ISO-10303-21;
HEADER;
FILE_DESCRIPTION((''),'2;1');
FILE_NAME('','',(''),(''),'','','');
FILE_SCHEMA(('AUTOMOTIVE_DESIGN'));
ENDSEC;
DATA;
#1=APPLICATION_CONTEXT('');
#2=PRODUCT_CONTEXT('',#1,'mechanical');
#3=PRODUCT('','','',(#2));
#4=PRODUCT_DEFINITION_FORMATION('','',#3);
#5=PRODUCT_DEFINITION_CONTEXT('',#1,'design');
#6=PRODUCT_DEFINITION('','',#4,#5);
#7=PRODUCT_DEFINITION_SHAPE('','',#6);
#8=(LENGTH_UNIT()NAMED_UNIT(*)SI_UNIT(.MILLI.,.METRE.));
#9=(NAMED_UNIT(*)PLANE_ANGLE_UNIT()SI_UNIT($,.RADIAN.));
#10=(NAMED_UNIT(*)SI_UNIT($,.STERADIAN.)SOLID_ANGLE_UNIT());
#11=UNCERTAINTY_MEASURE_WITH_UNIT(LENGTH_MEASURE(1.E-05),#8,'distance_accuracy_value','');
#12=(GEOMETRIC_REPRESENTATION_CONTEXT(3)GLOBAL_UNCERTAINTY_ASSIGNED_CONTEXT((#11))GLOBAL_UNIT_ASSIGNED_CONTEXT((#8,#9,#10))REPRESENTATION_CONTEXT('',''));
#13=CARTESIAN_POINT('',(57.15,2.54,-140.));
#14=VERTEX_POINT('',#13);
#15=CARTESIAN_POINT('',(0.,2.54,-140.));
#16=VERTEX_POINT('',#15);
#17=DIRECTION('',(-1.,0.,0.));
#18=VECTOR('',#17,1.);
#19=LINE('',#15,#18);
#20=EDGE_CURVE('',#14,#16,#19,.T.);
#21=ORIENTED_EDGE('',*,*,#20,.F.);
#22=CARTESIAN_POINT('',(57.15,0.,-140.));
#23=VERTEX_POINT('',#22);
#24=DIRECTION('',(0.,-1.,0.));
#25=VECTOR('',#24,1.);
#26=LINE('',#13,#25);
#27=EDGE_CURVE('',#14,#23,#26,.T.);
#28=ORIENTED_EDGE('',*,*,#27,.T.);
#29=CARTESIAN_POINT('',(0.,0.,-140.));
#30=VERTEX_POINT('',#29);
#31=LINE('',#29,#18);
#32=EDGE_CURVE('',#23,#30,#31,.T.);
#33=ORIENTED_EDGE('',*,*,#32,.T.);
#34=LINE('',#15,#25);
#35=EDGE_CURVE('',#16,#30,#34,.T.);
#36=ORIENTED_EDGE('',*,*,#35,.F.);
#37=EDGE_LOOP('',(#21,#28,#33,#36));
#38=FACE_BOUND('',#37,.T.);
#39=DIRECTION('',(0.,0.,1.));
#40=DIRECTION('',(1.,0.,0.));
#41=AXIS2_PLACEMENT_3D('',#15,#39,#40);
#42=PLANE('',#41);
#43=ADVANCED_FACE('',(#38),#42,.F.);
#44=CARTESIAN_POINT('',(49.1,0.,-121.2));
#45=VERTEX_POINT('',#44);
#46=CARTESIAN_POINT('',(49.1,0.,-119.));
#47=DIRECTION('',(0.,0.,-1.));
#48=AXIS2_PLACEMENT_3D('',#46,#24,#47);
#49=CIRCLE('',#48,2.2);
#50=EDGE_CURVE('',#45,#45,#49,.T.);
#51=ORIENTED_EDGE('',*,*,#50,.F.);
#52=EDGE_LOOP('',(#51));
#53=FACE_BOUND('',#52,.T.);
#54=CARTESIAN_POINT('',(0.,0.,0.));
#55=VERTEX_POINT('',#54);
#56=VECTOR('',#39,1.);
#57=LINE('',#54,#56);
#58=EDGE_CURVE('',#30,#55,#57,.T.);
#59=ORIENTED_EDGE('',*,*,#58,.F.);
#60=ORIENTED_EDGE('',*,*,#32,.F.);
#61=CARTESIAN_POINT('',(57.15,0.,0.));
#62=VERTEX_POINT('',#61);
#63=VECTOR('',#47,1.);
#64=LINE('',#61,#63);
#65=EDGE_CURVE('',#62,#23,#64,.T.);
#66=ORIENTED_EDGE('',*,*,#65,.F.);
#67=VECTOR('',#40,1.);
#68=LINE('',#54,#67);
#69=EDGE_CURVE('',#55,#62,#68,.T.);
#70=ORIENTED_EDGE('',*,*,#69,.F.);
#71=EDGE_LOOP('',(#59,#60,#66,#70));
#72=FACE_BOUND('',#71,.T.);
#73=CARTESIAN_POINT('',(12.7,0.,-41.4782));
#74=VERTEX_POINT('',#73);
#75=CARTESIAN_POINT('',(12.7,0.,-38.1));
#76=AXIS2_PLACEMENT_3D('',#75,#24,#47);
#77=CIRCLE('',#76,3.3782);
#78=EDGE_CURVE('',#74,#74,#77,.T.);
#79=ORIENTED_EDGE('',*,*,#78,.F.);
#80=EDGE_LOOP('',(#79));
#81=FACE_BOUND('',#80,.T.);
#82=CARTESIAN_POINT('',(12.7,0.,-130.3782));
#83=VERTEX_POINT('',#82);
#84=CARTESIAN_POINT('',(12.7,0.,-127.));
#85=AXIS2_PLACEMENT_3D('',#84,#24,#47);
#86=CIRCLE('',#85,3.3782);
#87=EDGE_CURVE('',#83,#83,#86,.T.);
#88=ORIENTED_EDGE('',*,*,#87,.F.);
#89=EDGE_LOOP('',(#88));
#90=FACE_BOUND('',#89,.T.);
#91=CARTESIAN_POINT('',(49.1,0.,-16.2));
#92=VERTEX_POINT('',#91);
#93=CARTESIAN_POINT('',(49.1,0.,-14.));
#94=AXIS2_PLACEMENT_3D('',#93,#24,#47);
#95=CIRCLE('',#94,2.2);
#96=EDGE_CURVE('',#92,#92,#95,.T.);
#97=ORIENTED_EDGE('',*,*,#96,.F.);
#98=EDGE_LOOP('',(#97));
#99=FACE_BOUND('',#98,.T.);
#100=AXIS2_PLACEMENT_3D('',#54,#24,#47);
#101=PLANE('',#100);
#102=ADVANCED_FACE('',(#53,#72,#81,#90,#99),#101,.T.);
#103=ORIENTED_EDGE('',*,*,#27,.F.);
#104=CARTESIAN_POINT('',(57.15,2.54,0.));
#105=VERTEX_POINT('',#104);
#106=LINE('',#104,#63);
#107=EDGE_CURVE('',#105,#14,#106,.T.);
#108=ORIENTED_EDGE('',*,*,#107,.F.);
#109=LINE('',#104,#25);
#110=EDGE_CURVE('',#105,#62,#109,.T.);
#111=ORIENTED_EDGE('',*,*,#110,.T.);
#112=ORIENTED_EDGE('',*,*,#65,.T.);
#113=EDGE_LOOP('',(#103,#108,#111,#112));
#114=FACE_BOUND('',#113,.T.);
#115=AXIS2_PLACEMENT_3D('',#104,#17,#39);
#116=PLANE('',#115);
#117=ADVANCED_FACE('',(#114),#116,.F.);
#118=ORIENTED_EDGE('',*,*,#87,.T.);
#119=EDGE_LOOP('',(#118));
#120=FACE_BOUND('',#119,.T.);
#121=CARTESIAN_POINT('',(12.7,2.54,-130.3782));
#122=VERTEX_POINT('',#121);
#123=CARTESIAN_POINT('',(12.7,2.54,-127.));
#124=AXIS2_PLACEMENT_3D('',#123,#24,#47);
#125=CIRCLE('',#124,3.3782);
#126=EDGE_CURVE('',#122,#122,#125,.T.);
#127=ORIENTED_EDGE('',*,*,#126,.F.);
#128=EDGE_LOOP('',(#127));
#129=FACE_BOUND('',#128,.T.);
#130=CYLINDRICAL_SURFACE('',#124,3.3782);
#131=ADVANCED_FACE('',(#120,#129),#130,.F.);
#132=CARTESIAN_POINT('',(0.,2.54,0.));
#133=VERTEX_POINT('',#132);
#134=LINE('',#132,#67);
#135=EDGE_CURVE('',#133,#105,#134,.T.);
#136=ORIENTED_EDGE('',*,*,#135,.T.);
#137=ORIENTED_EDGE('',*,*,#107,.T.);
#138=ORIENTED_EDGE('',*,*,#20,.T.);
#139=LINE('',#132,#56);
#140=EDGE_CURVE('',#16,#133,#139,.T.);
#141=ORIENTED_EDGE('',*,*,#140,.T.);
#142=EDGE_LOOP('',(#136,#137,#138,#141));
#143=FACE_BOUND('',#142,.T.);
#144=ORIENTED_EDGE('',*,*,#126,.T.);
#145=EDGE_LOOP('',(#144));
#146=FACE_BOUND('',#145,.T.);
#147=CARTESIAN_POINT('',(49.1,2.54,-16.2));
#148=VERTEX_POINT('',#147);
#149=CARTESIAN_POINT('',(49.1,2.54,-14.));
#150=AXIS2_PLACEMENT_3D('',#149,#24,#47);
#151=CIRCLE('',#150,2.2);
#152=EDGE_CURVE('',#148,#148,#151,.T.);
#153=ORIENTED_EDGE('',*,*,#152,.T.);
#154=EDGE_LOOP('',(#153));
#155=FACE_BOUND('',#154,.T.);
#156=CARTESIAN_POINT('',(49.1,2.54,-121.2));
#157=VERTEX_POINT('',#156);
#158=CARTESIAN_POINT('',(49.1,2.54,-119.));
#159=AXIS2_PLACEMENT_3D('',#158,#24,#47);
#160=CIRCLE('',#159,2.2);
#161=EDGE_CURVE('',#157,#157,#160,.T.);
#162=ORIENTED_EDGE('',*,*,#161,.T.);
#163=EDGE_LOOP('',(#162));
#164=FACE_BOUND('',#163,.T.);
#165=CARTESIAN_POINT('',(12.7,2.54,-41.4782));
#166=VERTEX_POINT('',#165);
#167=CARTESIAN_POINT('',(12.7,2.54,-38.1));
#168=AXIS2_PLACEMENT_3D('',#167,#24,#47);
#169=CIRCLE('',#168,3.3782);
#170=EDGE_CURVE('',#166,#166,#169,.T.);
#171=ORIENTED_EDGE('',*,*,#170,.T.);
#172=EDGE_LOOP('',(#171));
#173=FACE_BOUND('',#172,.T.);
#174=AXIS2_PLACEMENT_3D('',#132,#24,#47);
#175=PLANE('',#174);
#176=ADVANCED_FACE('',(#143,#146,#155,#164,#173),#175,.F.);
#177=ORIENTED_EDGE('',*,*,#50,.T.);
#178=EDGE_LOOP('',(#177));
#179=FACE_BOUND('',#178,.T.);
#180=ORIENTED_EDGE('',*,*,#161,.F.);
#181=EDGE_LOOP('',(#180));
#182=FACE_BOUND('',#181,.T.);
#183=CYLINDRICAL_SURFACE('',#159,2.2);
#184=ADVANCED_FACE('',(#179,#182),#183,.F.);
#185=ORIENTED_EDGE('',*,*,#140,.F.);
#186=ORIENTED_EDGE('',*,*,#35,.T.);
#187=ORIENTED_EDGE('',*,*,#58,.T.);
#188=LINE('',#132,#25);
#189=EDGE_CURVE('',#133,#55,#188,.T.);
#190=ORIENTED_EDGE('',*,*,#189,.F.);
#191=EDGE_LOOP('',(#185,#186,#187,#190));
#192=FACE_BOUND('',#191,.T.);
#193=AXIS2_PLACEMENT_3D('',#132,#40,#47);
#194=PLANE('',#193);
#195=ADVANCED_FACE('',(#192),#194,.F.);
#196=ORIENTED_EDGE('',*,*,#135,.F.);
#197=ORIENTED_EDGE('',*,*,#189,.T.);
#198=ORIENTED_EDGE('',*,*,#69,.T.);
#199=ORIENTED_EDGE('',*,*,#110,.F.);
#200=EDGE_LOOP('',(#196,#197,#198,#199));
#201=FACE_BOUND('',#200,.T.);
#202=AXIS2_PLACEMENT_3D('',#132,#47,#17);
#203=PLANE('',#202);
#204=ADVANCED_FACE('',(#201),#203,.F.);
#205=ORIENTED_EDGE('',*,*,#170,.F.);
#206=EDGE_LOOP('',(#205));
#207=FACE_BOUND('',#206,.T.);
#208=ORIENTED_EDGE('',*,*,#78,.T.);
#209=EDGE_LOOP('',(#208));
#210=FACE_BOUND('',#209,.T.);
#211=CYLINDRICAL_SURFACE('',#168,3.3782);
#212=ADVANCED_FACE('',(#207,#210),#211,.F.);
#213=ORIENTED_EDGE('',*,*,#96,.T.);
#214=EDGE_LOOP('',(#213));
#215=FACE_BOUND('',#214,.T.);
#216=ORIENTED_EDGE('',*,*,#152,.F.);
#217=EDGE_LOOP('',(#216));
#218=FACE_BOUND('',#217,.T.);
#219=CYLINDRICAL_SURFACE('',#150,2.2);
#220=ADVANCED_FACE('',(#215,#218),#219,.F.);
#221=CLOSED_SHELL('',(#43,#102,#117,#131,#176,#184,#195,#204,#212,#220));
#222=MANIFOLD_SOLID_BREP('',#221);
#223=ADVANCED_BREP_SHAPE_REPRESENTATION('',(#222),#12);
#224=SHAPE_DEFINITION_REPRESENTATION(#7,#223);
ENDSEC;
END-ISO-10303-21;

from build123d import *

# Parameters (mm, degrees)
SKETCH1_W               = 57.15
SKETCH1_H               = 140
BOSS_EXTRUDE1_DEPTH     = 2.54
SKETCH2_R               = 2.2
CUT_EXTRUDE1_DEPTH      = 3.54
SKETCH3_R               = 3.3782
CUT_EXTRUDE2_DEPTH      = 1
CUT_EXTRUDE2_DEPTH_BACK = 3.54


with BuildPart() as part:
    # Sketch1 → Boss-Extrude1 (new body)
    with BuildSketch(Plane(origin=(0, 0, 0), x_dir=(1, 0, 0), z_dir=(0, 1, 0))):
        with Locations((28.575, 70)):
            Rectangle(SKETCH1_W, SKETCH1_H)
    extrude(amount=BOSS_EXTRUDE1_DEPTH)

    # Sketch2 → Cut-Extrude1 (cut, through all)
    with BuildSketch(Plane.XZ):
        with Locations((49.1, -119)):
            Circle(SKETCH2_R)
        with Locations((49.1, -14)):
            Circle(SKETCH2_R)
    extrude(amount=-CUT_EXTRUDE1_DEPTH, mode=Mode.SUBTRACT)

    # Sketch3 → Cut-Extrude2 (cut, two sides)
    with BuildSketch(Plane.XZ) as cut_extrude2_sk:
        with Locations((12.7, -127)):
            Circle(SKETCH3_R)
        with Locations((12.7, -38.1)):
            Circle(SKETCH3_R)
    extrude(amount=CUT_EXTRUDE2_DEPTH, mode=Mode.SUBTRACT)
    extrude(cut_extrude2_sk.sketch, amount=-CUT_EXTRUDE2_DEPTH_BACK, mode=Mode.SUBTRACT)


solid = part.part
